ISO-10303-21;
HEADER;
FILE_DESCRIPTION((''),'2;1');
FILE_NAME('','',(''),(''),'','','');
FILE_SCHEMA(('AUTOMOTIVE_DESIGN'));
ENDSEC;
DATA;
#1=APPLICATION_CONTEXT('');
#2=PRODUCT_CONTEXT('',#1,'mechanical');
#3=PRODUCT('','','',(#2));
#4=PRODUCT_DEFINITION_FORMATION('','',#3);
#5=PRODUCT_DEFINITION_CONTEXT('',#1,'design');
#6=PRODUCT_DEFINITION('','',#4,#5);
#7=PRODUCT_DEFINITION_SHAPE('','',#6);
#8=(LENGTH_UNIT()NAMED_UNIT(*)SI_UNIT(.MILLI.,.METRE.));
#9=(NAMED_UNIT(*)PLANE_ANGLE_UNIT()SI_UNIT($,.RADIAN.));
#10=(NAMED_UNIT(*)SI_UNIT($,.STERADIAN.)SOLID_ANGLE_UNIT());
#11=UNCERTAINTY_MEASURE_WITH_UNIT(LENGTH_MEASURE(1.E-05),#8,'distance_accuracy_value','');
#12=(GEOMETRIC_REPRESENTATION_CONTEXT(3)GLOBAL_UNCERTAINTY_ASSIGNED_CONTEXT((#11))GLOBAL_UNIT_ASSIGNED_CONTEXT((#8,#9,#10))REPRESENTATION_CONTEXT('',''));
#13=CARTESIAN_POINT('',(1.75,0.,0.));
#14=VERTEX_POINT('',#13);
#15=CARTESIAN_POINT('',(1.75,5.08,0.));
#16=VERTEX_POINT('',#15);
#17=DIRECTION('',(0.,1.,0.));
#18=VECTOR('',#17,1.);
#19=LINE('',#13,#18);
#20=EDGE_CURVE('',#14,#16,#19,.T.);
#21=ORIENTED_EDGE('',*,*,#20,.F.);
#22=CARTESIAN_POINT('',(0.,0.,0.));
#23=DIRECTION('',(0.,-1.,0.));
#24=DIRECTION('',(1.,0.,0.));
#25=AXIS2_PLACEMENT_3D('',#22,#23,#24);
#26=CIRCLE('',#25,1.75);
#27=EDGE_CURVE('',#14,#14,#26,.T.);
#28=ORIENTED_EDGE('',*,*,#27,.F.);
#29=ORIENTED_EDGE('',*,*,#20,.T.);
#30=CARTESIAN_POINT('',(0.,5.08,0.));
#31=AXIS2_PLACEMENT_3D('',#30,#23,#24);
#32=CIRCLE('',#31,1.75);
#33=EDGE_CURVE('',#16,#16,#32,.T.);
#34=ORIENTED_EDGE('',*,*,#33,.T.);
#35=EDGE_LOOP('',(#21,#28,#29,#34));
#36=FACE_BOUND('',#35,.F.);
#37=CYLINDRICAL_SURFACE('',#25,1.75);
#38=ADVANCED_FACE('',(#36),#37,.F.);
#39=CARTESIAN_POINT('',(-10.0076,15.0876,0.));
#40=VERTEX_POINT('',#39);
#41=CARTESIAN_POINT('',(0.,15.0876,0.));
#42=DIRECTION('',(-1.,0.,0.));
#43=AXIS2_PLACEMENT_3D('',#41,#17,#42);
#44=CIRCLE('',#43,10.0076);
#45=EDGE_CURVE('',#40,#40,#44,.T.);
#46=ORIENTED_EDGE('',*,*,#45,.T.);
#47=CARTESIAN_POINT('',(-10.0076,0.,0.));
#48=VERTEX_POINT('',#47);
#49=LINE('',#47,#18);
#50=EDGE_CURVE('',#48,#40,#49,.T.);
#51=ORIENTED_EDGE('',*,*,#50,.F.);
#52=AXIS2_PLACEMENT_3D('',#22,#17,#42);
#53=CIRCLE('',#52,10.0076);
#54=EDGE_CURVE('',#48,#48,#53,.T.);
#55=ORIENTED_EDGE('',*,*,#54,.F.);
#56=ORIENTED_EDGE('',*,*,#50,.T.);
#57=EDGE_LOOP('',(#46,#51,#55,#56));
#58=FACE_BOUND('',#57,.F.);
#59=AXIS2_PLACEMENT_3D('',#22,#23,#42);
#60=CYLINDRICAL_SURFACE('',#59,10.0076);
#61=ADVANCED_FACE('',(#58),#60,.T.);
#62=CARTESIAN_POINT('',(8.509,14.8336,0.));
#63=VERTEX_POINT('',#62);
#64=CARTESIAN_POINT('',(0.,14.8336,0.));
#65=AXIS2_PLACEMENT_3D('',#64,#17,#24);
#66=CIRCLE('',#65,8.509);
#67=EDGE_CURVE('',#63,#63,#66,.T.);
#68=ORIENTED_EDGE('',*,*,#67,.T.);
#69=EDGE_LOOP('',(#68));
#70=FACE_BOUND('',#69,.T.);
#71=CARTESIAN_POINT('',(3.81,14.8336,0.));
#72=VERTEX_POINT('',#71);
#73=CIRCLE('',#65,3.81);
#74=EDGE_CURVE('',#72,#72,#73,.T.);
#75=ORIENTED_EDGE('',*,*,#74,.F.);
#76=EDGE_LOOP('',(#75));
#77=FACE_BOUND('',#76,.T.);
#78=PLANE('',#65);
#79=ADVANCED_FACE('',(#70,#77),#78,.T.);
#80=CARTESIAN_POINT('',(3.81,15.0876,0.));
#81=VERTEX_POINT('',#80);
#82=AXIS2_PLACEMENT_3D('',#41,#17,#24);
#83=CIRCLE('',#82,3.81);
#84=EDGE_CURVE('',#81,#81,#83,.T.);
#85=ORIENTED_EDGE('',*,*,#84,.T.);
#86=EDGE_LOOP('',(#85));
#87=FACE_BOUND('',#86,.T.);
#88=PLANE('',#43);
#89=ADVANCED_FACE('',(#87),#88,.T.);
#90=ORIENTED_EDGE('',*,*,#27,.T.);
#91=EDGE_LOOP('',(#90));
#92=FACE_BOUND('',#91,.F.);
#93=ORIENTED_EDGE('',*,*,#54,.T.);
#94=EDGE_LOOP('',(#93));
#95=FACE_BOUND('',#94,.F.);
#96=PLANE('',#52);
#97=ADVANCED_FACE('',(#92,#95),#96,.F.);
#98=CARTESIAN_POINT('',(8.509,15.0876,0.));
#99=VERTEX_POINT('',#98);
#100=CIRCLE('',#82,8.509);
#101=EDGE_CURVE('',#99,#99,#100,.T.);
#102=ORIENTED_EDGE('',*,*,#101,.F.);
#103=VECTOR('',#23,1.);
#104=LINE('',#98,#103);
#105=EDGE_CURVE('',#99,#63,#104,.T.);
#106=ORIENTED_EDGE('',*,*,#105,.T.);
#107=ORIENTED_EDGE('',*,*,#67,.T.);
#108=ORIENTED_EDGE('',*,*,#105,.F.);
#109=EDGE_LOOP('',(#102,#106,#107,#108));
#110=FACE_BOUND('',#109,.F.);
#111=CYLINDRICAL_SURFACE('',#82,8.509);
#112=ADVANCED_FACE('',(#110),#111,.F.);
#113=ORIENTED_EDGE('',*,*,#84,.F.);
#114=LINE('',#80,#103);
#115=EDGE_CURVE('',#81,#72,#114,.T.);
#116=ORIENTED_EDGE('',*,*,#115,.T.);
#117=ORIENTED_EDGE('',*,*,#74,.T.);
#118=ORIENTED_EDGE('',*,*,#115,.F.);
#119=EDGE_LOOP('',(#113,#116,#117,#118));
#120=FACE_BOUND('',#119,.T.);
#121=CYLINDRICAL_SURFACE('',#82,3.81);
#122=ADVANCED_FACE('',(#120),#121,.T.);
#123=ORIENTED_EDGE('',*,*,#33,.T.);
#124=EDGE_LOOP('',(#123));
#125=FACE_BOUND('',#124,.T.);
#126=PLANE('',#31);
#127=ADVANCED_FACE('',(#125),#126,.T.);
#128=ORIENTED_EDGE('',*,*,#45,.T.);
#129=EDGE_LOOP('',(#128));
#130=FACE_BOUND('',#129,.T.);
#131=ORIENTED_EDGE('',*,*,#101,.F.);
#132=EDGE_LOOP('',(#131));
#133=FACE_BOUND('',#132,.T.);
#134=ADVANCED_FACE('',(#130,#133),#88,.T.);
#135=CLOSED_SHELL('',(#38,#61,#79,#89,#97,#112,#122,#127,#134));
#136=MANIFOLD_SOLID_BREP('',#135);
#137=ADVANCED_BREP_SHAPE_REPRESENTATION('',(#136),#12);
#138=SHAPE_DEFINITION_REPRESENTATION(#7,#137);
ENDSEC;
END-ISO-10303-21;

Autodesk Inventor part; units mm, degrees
ref_plane "YZ Plane" through (0, 0, 0) normal (1, 0, 0) x (0, 1, 0)
ref_plane "XZ Plane" through (0, 0, 0) normal (0, 1, 0) x (-1, 0, 0)
ref_plane "XY Plane" through (0, 0, 0) normal (0, 0, 1) x (1, 0, 0)
sketch "Sketch1" plane through (0, 0, 0) normal (0, 1, 0) x (-1, 0, 0)
  circle A0 centre (0, 0) radius 10.0076
  dimension "d0" = 20.0152
extrude "Extrusion1" add sketch "Sketch1" along normal blind 15.0876
sketch "Sketch2" plane through (0, 15.0876, 0) normal (0, 1, 0) x (1, 0, 0)
  circle A0 centre (0, 0) radius 3.81
  circle A1 centre (0, 0) radius 8.509
  dimension "d3" = 7.62
  dimension "d4" = 17.018
extrude "Extrusion2" cut sketch "Sketch2" against normal blind 0.254
sketch "Sketch3" plane through (0, 0, 0) normal (0, -1, 0) x (1, 0, 0)
  circle A0 centre (0, 0) radius 1.75
  dimension "d7" = 3.5
extrude "Extrusion3" cut sketch "Sketch3" against normal blind 5.08
thread "Thread1" size "M4x0.7" class "6H" standard "ISO Metric profile" full length
properties part number "electromagnet" material "Stainless Steel"
